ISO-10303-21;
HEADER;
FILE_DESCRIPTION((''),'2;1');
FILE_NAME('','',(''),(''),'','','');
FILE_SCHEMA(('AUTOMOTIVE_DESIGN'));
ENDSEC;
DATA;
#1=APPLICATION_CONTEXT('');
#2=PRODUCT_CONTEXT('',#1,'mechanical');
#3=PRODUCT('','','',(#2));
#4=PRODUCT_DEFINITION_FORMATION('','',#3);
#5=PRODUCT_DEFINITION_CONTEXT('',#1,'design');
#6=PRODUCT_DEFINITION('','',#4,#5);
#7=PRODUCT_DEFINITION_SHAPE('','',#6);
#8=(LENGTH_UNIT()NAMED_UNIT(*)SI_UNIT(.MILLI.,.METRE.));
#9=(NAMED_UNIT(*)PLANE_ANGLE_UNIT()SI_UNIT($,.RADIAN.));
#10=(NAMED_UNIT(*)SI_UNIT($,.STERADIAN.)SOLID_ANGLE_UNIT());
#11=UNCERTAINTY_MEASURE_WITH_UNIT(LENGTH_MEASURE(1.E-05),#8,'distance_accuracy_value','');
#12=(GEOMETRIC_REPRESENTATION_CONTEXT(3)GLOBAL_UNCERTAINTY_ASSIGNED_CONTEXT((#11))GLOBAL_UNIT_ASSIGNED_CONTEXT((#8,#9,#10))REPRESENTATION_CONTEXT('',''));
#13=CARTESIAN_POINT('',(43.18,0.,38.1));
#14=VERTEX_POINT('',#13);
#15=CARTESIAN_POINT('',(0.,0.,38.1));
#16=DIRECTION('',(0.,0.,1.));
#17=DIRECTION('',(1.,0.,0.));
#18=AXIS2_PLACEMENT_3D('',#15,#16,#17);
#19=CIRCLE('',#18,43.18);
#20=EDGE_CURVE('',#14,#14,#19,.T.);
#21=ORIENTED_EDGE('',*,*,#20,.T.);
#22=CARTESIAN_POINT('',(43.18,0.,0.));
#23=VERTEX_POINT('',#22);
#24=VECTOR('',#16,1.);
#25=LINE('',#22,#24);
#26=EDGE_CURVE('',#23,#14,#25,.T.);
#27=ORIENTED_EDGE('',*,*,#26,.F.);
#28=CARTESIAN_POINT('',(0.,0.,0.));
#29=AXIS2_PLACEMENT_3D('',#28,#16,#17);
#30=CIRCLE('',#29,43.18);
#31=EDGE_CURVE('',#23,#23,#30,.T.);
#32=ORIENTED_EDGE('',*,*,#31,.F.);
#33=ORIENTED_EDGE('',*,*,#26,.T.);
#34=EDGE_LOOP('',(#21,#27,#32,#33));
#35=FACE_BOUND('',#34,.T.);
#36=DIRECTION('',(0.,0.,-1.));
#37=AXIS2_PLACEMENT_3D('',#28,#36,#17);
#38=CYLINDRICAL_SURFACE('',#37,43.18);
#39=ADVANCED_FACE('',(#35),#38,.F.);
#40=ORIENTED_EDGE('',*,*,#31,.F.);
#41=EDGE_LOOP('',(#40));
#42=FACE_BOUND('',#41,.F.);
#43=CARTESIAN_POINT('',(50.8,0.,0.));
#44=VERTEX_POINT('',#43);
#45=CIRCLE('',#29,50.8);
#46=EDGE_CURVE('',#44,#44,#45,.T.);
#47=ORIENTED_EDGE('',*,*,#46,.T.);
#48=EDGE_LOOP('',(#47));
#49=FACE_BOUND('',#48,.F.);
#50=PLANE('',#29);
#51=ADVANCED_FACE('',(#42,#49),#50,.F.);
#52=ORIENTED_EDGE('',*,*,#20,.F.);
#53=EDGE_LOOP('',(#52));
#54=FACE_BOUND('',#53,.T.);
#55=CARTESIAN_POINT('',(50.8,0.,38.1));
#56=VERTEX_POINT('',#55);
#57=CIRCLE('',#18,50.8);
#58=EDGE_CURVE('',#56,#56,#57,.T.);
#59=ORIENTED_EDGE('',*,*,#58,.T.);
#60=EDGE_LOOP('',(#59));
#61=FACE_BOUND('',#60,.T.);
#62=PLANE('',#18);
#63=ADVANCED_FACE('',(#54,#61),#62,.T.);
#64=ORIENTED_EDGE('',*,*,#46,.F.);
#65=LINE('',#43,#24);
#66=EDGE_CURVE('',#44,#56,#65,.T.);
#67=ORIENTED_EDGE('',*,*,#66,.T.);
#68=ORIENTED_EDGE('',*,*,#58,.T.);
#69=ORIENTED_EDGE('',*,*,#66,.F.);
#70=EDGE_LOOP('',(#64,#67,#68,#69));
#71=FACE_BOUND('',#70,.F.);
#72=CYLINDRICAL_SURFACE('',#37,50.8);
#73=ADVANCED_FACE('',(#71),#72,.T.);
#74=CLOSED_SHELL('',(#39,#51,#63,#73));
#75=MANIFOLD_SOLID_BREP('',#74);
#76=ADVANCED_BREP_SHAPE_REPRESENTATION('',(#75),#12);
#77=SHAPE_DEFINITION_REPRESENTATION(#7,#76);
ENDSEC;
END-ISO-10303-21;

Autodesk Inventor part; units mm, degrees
ref_plane "YZ Plane" through (0, 0, 0) normal (1, 0, 0) x (0, 1, 0)
ref_plane "XZ Plane" through (0, 0, 0) normal (0, 1, 0) x (-1, 0, 0)
ref_plane "XY Plane" through (0, 0, 0) normal (0, 0, 1) x (1, 0, 0)
sketch "Sketch1" plane through (0, 0, 0) normal (0, 0, 1) x (1, 0, 0)
  circle A0 centre (0, 0) radius 43.18
  circle A1 centre (0, 0) radius 50.8
  dimension "d0" = 86.36
  dimension "d1" = 101.6
extrude "Extrusion1" add sketch "Sketch1" along normal blind 38.1
properties part number "WCP-0075-tread" material "Rubber"
